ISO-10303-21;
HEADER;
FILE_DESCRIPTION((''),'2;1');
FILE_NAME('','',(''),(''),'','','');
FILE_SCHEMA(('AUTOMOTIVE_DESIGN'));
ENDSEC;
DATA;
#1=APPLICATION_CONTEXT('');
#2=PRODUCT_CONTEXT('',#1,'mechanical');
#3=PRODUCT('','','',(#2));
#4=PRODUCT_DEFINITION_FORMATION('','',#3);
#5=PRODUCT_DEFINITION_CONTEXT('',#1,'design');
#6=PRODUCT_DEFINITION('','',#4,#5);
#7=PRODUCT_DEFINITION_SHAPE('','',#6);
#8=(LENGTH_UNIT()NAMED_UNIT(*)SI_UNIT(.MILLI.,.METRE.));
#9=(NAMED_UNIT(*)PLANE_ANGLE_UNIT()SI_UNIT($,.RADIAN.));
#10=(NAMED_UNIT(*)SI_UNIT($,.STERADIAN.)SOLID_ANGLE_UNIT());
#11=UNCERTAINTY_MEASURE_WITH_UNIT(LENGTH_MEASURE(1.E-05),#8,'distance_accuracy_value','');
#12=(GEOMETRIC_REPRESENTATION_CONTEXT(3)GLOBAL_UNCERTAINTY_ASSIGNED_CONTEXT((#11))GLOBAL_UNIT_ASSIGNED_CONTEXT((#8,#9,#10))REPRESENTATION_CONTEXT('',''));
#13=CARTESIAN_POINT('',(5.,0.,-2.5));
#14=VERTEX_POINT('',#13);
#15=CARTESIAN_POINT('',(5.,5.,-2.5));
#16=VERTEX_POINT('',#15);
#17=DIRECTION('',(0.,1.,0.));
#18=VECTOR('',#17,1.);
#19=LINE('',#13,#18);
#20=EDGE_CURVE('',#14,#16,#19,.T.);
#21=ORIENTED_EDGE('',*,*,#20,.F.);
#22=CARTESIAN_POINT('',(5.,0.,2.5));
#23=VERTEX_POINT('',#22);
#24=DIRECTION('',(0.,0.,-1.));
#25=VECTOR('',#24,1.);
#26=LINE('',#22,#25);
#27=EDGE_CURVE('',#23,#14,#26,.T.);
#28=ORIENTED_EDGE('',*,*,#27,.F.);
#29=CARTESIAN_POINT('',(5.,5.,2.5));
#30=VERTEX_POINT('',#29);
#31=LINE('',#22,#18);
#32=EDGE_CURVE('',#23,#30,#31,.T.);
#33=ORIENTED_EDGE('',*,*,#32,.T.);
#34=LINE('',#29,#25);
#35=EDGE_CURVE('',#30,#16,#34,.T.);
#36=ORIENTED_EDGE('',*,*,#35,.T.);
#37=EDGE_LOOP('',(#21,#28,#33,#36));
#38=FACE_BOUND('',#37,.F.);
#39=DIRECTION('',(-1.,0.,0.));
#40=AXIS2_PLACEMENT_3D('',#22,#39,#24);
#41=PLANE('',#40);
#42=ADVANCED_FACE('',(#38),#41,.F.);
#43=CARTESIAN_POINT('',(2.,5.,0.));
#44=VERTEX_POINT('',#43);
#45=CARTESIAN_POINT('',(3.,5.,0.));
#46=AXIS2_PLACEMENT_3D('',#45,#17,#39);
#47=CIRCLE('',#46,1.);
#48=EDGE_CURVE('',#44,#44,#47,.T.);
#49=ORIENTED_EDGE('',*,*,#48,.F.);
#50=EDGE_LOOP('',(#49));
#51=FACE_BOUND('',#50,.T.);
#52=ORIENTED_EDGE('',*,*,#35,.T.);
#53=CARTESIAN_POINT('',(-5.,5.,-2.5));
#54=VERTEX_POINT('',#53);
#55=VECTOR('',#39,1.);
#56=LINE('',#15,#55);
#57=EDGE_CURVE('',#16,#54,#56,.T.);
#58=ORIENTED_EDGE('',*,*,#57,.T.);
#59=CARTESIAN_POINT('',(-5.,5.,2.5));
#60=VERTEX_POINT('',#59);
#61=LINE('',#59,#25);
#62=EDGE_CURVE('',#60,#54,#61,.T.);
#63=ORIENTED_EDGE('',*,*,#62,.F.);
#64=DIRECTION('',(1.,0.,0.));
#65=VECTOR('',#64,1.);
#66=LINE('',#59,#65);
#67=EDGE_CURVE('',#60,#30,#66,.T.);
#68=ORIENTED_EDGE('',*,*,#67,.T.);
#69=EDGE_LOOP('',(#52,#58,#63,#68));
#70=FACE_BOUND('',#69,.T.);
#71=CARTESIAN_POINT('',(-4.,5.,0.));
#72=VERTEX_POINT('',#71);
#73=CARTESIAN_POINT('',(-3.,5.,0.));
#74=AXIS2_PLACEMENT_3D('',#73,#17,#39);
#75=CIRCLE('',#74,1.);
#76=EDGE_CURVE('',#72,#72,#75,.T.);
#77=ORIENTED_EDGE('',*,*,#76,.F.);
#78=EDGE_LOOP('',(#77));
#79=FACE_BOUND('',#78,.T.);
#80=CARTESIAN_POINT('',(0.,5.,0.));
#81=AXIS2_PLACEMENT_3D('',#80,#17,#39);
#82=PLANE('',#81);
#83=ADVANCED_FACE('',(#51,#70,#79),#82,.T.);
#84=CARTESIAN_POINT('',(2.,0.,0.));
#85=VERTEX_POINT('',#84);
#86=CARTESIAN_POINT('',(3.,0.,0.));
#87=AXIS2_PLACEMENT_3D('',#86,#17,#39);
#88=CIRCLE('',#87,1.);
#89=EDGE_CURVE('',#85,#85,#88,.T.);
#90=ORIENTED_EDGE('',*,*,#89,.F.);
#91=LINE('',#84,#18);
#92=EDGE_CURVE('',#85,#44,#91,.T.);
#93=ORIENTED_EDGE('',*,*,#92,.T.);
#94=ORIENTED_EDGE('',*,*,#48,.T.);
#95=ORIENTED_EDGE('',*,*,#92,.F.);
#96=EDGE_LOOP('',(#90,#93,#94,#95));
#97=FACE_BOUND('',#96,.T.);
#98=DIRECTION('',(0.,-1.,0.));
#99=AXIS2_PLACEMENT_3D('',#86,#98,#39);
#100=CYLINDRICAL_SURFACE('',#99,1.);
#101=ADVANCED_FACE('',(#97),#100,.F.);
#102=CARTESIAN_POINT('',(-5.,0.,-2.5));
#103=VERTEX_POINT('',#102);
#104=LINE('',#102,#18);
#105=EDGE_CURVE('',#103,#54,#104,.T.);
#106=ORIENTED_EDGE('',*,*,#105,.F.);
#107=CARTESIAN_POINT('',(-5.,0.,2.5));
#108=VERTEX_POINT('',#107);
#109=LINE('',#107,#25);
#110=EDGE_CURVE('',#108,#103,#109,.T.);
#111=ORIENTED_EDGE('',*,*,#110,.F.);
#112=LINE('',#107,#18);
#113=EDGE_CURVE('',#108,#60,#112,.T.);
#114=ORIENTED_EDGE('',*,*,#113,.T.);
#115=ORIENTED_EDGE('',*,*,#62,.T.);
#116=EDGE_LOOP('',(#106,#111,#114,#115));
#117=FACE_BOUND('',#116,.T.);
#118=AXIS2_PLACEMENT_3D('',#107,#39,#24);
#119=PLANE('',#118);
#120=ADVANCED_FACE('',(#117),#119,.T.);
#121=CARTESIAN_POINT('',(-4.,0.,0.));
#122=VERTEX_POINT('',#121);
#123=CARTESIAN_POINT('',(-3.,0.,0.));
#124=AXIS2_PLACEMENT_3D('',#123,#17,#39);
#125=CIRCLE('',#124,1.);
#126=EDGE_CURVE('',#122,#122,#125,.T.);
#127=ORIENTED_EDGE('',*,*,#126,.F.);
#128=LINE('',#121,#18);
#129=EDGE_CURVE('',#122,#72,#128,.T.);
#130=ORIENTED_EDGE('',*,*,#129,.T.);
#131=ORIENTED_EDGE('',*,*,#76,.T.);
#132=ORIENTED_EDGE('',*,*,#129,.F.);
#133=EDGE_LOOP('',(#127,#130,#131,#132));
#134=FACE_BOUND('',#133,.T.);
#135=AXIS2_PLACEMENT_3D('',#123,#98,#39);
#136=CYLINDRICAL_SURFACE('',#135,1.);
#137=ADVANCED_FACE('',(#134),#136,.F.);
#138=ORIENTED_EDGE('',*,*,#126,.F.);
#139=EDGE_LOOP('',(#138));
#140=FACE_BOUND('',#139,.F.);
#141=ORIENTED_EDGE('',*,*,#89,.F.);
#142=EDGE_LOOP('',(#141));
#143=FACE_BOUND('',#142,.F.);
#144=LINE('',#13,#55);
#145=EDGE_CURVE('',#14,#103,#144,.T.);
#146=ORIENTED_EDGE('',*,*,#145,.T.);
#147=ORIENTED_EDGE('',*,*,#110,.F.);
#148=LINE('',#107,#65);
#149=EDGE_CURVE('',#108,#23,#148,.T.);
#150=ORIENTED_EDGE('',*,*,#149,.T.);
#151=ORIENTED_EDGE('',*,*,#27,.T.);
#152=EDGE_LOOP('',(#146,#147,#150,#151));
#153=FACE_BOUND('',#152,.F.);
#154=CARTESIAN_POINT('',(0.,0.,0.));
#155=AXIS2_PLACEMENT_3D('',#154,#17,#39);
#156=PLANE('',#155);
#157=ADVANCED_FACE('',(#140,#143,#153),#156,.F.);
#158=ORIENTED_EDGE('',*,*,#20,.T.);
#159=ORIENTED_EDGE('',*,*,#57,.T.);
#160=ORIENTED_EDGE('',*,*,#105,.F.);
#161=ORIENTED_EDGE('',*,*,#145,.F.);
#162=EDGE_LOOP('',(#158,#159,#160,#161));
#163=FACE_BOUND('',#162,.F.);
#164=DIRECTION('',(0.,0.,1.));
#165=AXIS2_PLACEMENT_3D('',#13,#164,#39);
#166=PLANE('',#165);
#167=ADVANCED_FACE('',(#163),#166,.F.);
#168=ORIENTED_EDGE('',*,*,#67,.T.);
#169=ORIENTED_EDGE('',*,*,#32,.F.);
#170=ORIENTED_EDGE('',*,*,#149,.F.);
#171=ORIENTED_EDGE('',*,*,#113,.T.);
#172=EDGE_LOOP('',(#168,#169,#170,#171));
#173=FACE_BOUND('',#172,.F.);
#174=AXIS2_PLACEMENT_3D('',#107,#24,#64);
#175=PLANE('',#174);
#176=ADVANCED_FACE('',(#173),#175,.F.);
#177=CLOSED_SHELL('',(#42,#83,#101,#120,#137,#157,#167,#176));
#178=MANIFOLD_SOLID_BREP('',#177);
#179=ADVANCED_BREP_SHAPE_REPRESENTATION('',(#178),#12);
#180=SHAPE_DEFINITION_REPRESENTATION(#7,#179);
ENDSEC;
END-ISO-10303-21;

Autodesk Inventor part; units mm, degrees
ref_plane "YZ Plane" through (0, 0, 0) normal (1, 0, 0) x (0, 1, 0)
ref_plane "XZ Plane" through (0, 0, 0) normal (0, 1, 0) x (-1, 0, 0)
ref_plane "XY Plane" through (0, 0, 0) normal (0, 0, 1) x (1, 0, 0)
sketch "Sketch1" plane through (0, 0, 0) normal (0, 1, 0) x (-1, 0, 0)
  line L0 (-5, -2.5) -> (5, -2.5)
  line L1 (5, 2.5) -> (5, 2.5)
  line L2 (5, 2.5) -> (-5, 2.5)
  line L3 (-5, 2.5) -> (-5, 2.5)
  line L4 (-5, -2.5) -> (5, 2.5) construction
  line L5 (5, -2.5) -> (-5, 2.5) construction
  circle A0 centre (3, 0) radius 1
  circle A1 centre (-3, 0) radius 1
  line L6 (5, 2.5) -> (5, -2.5)
  line L7 (-5, 2.5) -> (-5, -2.5)
  point P0 (0, 0)
  dimension "d1" = 10
  dimension "d3" = 2
  dimension "d4" = 2
  dimension "d5" = 2
  dimension "d6" = 2
  dimension "d7" = 2.5
  dimension "d8" = 2.5
  dimension "d12" = 5
extrude "Extrusion1" add sketch "Sketch1" along normal blind 5
properties part number "link"
